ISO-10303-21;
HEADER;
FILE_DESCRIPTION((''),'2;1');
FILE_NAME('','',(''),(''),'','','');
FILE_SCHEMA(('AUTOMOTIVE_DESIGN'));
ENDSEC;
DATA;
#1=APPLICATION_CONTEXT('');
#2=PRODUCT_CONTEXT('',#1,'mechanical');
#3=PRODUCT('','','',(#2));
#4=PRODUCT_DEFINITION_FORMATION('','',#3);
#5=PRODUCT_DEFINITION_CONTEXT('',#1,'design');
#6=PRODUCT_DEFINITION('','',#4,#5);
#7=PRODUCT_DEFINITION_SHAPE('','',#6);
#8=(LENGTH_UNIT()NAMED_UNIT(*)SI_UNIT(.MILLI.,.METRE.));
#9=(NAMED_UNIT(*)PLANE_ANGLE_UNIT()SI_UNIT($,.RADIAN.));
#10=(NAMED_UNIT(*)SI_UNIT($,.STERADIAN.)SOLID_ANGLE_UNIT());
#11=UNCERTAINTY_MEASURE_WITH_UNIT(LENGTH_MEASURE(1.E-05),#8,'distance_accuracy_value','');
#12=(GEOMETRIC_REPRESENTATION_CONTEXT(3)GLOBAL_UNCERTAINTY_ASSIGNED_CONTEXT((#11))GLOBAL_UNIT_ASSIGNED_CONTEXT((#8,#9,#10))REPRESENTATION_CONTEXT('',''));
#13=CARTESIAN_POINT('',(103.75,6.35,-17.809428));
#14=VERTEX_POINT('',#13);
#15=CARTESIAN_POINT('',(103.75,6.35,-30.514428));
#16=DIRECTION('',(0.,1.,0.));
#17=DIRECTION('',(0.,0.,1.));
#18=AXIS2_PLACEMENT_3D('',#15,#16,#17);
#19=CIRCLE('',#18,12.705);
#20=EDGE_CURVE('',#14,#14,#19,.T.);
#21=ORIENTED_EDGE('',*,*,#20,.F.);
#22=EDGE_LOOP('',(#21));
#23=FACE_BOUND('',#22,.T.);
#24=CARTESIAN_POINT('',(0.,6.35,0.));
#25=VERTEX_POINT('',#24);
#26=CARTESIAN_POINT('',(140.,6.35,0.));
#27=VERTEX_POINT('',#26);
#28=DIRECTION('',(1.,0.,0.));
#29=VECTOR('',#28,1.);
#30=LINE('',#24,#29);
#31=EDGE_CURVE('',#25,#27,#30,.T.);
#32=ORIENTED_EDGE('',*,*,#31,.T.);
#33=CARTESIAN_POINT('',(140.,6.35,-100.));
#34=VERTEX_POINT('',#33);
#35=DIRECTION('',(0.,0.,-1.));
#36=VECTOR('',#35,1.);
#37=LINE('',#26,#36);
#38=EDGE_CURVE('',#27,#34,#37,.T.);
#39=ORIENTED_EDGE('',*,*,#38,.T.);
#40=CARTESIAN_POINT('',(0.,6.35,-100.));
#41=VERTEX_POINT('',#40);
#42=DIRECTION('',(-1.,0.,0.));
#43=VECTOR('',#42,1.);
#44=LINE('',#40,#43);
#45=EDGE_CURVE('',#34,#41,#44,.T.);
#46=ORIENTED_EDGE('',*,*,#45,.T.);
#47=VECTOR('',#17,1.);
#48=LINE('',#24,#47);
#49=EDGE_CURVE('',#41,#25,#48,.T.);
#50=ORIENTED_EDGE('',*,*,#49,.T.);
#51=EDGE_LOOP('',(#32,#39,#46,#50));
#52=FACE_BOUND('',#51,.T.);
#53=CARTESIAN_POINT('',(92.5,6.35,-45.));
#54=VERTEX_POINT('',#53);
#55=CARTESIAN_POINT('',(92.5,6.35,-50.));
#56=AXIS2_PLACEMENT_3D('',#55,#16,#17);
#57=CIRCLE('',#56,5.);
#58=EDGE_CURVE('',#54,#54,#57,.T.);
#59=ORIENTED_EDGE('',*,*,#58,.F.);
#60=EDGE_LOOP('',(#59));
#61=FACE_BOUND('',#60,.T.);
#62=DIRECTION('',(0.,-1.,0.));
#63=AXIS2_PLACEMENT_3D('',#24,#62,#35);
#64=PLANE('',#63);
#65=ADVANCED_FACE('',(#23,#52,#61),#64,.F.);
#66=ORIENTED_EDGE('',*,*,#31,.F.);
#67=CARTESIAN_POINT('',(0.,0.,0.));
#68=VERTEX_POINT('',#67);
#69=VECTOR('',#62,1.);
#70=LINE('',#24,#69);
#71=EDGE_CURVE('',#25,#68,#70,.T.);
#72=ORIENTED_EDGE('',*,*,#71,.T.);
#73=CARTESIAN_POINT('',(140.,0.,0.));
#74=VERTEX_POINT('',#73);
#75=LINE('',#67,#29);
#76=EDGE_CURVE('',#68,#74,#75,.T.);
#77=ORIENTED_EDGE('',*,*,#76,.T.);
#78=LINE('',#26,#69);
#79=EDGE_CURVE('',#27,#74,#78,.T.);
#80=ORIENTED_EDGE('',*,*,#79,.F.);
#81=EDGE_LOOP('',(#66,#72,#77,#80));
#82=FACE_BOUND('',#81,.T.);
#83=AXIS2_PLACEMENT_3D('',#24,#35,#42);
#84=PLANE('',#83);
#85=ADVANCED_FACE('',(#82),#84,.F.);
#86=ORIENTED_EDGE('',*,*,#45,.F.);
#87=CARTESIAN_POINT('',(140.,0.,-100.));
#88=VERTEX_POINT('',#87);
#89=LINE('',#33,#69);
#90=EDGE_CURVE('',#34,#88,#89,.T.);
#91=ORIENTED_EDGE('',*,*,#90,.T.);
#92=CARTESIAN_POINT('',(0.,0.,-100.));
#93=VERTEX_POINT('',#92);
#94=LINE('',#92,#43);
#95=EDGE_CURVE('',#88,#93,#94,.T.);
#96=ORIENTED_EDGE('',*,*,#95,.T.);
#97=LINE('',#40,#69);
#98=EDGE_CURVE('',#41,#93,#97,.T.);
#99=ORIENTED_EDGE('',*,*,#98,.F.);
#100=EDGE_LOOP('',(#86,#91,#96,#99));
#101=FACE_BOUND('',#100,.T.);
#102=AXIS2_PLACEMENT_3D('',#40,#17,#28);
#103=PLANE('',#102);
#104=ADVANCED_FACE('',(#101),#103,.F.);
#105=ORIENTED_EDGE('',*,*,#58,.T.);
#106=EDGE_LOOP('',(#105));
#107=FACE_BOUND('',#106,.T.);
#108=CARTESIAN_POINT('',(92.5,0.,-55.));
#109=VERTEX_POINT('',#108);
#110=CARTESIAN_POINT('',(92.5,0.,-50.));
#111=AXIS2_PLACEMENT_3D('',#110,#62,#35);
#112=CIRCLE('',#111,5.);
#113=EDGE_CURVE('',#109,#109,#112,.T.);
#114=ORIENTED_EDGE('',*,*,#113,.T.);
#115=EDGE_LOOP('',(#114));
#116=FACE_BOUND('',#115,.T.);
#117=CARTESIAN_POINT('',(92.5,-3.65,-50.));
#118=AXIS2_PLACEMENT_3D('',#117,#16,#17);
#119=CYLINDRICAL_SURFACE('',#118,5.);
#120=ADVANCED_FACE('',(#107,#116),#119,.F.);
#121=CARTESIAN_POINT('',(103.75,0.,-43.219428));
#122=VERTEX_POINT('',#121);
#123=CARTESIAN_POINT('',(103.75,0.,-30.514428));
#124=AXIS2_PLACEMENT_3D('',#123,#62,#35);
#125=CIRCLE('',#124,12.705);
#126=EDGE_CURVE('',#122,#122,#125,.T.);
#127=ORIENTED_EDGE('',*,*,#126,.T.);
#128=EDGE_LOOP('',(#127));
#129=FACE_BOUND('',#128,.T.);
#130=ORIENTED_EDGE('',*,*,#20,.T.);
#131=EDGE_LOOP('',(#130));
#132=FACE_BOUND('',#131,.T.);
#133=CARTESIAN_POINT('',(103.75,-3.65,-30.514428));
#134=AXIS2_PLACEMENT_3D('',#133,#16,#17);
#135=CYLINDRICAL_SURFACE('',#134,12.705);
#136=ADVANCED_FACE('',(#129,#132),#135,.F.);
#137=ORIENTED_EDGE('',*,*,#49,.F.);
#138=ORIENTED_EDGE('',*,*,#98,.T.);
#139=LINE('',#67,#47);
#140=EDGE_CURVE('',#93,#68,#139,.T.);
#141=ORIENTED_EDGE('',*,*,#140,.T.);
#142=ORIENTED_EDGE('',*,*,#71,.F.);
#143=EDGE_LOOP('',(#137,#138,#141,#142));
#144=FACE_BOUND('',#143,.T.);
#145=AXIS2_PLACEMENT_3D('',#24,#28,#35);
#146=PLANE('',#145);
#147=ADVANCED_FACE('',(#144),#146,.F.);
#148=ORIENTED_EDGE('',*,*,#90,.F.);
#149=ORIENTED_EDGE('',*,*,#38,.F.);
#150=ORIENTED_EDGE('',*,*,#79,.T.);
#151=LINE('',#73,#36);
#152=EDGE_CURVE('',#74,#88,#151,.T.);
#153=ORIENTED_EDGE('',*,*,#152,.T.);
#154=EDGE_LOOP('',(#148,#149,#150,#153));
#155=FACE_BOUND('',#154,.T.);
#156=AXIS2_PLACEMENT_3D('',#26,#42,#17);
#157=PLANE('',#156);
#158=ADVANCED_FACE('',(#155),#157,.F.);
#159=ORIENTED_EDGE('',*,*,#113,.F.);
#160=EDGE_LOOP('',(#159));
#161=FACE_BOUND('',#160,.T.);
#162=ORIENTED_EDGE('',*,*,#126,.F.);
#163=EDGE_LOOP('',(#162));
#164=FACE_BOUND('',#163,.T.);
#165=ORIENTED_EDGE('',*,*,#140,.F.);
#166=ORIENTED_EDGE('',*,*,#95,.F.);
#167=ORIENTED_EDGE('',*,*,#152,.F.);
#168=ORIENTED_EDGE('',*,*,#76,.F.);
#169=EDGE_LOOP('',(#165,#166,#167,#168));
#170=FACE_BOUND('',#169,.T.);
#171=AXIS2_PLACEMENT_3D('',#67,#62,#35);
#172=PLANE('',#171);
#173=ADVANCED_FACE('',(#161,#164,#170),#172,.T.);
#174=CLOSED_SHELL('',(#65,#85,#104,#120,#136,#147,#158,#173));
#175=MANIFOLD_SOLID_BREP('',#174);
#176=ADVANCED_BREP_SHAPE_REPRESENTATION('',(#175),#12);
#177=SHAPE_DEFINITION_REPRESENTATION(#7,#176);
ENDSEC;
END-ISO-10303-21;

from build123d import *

# Parameters (mm, degrees)
SKETCH1_W           = 140
SKETCH1_H           = 100
BOSS_EXTRUDE1_DEPTH = 6.35
SKETCH2_R           = 12.705
SKETCH2_R_2         = 5
CUT_EXTRUDE1_DEPTH  = 10


with BuildPart() as part:
    # Sketch1 → Boss-Extrude1 (new body)
    with BuildSketch(Plane(origin=(0, 0, 0), x_dir=(1, 0, 0), z_dir=(0, 1, 0))):
        with Locations((70, 50)):
            Rectangle(SKETCH1_W, SKETCH1_H)
    extrude(amount=BOSS_EXTRUDE1_DEPTH)

    # Sketch2 → Cut-Extrude1 (cut)
    with BuildSketch(Plane(origin=(0, 6.35, 0), x_dir=(1, 0, 0), z_dir=(0, 1, 0))):
        with Locations(Location((103.75, 30.514428415, 0), (0, 0, 270))):
            Circle(SKETCH2_R)
        with Locations(Location((92.5, 50, 0), (0, 0, 270))):
            Circle(SKETCH2_R_2)
    extrude(amount=-CUT_EXTRUDE1_DEPTH, mode=Mode.SUBTRACT)


solid = part.part
